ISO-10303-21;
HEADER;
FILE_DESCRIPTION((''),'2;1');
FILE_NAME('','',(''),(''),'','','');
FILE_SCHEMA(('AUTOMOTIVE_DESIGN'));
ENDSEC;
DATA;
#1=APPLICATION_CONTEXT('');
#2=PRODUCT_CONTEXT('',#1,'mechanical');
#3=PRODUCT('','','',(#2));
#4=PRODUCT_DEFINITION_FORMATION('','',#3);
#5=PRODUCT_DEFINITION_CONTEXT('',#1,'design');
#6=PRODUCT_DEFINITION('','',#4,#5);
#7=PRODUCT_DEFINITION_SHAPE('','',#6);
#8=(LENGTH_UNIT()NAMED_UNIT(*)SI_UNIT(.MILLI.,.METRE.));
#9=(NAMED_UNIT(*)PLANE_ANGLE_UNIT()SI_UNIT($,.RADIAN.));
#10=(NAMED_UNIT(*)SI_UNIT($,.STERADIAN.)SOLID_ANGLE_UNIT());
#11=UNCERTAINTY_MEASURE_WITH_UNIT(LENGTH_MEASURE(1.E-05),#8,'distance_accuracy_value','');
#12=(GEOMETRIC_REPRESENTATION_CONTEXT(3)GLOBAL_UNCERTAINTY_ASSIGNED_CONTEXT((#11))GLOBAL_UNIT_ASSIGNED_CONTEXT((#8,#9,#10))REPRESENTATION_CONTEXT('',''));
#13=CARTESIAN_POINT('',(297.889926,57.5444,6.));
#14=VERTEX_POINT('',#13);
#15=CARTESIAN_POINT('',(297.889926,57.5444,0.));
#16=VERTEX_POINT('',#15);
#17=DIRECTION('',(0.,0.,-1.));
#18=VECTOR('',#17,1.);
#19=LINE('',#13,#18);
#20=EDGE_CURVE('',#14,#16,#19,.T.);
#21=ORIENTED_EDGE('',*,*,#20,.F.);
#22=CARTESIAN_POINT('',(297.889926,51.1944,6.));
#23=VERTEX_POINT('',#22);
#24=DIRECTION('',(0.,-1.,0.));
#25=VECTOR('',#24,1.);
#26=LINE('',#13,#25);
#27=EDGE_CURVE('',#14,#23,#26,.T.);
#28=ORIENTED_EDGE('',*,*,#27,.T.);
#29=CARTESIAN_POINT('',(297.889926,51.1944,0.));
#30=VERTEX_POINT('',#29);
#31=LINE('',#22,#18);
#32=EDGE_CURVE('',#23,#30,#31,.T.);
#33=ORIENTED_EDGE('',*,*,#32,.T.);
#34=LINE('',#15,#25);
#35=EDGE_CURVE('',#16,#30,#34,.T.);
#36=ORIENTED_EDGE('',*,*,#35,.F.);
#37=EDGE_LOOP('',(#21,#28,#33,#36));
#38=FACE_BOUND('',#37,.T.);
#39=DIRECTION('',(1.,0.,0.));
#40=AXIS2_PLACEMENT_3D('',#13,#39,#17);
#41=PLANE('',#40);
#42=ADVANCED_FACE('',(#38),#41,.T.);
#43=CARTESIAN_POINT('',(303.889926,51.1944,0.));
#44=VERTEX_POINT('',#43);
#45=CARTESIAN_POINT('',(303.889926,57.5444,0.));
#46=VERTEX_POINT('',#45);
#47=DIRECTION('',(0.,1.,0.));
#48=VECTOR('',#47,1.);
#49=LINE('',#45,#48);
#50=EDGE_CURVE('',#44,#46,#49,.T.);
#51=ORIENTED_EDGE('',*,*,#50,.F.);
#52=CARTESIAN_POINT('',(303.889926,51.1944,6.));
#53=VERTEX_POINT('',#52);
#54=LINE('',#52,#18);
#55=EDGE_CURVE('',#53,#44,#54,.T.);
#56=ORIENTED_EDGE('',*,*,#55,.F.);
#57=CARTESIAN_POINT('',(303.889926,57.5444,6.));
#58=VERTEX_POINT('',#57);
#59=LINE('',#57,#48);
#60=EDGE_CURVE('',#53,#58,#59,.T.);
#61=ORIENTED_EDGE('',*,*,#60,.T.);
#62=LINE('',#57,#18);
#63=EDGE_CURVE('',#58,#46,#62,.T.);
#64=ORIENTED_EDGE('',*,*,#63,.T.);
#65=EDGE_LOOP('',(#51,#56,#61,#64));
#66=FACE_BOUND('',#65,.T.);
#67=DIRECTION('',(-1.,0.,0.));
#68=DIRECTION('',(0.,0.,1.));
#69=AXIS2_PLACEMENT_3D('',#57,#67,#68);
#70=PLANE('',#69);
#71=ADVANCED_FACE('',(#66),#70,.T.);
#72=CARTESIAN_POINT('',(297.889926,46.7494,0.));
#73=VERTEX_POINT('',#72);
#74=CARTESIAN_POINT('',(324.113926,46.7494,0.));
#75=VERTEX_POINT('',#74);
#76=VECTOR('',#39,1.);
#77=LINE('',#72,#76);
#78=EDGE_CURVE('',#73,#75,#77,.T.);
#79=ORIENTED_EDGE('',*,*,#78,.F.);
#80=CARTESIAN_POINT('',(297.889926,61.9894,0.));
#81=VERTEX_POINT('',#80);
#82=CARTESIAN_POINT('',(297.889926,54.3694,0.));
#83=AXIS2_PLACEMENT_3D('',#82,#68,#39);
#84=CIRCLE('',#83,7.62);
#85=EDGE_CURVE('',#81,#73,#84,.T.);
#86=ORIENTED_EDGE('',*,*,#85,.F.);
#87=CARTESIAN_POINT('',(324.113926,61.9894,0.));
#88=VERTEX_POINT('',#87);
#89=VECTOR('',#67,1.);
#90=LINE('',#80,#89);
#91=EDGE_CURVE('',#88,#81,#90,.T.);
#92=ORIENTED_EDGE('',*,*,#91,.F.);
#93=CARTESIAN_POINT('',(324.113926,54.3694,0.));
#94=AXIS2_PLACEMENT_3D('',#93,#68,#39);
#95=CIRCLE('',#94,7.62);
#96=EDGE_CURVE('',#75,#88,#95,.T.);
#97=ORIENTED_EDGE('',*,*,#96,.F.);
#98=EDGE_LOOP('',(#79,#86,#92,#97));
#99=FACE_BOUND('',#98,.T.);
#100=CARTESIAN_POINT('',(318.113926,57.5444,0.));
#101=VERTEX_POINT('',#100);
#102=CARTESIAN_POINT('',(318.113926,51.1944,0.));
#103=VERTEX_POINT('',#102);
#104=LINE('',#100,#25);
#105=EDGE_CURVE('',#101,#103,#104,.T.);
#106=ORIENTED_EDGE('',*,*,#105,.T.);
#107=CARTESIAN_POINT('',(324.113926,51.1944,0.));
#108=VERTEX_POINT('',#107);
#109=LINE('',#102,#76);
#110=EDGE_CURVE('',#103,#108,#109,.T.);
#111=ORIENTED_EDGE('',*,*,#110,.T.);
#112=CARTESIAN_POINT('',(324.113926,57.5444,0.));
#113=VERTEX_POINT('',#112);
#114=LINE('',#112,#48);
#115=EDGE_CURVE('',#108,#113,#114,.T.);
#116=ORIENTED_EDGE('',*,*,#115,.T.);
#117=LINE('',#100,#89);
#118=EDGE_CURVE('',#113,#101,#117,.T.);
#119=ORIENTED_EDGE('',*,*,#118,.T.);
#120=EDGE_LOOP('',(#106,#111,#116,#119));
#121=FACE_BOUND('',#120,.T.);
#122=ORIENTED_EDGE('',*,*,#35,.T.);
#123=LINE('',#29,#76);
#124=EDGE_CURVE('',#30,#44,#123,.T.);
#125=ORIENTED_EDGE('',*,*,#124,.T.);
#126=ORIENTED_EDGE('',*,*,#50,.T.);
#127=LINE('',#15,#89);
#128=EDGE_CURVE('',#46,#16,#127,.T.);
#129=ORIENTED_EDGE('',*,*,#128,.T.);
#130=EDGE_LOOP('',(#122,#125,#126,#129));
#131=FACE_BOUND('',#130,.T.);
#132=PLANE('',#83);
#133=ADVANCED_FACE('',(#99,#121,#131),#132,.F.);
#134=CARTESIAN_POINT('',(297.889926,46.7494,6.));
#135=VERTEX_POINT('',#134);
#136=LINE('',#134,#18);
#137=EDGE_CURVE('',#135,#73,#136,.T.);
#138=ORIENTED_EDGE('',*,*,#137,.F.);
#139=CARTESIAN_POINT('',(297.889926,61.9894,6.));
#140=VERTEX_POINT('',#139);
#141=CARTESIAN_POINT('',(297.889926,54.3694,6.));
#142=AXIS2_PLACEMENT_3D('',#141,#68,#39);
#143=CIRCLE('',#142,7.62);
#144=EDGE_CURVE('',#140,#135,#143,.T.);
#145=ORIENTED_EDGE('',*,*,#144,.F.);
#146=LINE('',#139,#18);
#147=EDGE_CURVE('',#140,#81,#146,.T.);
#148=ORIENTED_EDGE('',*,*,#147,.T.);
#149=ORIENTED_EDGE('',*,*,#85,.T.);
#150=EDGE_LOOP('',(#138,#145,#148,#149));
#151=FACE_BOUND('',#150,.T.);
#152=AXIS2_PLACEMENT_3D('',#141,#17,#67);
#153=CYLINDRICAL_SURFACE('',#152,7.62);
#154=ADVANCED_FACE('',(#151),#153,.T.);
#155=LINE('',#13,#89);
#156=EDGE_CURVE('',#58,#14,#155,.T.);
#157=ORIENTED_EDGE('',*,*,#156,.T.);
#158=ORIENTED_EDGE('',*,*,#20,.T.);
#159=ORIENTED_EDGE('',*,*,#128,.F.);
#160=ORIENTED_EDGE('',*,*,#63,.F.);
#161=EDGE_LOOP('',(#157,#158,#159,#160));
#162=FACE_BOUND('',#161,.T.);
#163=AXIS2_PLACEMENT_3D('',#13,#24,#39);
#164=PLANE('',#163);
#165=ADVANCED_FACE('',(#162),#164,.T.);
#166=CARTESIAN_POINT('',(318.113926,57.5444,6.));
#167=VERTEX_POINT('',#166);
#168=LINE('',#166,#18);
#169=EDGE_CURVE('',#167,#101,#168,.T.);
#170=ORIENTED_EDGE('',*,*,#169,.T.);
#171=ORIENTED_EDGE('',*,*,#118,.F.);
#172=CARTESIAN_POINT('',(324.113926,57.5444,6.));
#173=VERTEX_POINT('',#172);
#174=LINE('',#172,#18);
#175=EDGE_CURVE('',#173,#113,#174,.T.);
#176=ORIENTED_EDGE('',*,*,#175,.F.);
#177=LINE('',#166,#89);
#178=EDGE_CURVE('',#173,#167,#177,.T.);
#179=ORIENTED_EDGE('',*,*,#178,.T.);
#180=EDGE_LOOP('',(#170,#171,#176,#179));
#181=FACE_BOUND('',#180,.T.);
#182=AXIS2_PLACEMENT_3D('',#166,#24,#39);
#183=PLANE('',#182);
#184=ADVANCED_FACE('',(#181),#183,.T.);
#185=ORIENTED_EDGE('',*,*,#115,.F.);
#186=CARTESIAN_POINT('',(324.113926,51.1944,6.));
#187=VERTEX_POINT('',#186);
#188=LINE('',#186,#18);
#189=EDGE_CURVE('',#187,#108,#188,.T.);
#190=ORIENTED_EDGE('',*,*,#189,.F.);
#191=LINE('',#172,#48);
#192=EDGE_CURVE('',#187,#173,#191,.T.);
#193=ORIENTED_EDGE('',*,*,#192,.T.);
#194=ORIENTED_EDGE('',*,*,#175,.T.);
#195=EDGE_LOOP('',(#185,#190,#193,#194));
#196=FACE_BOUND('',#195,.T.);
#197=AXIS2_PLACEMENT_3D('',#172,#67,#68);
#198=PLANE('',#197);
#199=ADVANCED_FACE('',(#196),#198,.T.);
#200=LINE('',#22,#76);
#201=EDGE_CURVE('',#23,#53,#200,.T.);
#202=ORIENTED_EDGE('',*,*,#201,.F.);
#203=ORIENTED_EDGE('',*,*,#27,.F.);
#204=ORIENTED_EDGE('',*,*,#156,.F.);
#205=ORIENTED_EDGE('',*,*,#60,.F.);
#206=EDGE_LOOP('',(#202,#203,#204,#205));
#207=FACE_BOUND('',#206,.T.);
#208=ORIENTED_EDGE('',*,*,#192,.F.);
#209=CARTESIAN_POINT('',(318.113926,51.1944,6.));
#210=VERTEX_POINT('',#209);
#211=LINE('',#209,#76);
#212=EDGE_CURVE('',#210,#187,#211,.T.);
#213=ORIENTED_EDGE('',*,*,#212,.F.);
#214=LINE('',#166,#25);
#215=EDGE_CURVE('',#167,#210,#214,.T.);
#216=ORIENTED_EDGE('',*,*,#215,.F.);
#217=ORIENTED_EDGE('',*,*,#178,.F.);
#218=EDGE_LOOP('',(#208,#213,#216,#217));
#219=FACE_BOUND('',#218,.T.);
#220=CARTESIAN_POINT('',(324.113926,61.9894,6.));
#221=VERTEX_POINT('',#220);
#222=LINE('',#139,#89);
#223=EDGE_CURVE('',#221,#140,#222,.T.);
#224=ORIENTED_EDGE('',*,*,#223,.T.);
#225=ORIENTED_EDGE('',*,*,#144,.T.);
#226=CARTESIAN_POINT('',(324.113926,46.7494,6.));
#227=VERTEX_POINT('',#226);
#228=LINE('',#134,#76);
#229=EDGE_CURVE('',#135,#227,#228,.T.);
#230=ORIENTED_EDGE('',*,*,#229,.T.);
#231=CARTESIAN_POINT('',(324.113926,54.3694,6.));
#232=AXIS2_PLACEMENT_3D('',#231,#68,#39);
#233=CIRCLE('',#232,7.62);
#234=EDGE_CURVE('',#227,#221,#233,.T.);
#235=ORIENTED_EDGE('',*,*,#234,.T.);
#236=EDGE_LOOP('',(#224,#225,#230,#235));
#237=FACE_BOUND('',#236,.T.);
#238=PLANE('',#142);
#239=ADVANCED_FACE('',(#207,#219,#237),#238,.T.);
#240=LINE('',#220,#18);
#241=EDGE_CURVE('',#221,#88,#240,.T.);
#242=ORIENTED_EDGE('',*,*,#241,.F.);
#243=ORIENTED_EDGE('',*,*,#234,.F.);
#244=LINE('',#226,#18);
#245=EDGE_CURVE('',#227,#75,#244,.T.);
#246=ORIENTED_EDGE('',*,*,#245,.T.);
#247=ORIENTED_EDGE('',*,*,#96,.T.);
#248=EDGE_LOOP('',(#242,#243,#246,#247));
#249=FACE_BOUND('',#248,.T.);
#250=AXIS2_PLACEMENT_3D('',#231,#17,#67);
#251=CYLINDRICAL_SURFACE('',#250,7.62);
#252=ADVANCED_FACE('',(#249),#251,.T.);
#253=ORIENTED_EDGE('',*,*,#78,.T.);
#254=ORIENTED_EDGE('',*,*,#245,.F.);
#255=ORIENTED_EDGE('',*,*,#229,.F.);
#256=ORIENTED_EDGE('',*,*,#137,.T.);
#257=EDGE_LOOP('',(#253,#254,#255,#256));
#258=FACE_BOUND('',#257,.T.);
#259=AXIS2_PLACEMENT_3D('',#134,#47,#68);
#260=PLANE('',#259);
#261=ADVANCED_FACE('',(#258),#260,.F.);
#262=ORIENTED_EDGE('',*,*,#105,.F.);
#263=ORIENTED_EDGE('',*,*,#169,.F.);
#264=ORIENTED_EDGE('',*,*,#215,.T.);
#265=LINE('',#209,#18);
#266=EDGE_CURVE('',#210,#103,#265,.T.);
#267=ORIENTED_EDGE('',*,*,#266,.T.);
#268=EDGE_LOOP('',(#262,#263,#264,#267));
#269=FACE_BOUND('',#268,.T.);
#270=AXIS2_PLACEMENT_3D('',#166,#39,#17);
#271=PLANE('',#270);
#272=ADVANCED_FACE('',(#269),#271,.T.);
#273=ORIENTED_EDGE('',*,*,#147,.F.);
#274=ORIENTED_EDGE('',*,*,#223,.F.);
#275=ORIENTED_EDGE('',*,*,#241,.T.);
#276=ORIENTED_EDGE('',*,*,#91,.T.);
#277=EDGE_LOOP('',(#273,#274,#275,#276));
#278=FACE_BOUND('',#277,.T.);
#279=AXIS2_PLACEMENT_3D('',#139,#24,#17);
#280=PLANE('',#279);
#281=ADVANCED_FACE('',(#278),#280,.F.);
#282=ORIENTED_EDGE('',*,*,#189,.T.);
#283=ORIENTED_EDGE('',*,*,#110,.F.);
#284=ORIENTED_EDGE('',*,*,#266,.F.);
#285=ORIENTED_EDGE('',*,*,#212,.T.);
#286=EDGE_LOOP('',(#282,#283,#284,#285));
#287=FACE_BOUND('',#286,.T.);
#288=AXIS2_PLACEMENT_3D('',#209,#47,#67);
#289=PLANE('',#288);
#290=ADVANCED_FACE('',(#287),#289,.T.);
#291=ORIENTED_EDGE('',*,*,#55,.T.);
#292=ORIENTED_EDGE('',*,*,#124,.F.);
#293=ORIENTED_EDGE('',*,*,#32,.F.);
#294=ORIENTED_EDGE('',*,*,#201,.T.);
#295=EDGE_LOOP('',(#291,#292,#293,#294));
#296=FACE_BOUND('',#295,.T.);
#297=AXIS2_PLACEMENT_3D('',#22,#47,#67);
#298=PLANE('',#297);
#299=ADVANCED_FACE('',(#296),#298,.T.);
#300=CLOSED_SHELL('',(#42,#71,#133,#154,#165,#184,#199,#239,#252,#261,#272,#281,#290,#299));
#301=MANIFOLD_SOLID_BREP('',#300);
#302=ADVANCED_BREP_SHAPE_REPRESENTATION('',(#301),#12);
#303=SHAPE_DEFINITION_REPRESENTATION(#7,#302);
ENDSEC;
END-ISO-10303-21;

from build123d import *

# Parameters (mm, degrees)
SKETCH2_W           = 6
SKETCH2_H           = 6.35
BOSS_EXTRUDE1_DEPTH = 6


with BuildPart() as part:
    # Sketch2 → Boss-Extrude1 (new body)
    with BuildSketch(Plane.XY):
        with BuildLine():
            Line((297.889925989, 61.9894), (324.113925989, 61.9894))
            ThreePointArc((324.113925989, 61.9894), (331.733925989, 54.3694), (324.113925989, 46.7494))
            Line((324.113925989, 46.7494), (297.889925989, 46.7494))
            ThreePointArc((297.889925989, 46.7494), (290.269925989, 54.3694), (297.889925989, 61.9894))
        make_face()
        with Locations((300.889925989, 54.3694)):
            Rectangle(SKETCH2_W, SKETCH2_H, mode=Mode.SUBTRACT)
        with Locations((321.113925989, 54.3694)):
            Rectangle(SKETCH2_W, SKETCH2_H, mode=Mode.SUBTRACT)
    extrude(amount=BOSS_EXTRUDE1_DEPTH)


solid = part.part
